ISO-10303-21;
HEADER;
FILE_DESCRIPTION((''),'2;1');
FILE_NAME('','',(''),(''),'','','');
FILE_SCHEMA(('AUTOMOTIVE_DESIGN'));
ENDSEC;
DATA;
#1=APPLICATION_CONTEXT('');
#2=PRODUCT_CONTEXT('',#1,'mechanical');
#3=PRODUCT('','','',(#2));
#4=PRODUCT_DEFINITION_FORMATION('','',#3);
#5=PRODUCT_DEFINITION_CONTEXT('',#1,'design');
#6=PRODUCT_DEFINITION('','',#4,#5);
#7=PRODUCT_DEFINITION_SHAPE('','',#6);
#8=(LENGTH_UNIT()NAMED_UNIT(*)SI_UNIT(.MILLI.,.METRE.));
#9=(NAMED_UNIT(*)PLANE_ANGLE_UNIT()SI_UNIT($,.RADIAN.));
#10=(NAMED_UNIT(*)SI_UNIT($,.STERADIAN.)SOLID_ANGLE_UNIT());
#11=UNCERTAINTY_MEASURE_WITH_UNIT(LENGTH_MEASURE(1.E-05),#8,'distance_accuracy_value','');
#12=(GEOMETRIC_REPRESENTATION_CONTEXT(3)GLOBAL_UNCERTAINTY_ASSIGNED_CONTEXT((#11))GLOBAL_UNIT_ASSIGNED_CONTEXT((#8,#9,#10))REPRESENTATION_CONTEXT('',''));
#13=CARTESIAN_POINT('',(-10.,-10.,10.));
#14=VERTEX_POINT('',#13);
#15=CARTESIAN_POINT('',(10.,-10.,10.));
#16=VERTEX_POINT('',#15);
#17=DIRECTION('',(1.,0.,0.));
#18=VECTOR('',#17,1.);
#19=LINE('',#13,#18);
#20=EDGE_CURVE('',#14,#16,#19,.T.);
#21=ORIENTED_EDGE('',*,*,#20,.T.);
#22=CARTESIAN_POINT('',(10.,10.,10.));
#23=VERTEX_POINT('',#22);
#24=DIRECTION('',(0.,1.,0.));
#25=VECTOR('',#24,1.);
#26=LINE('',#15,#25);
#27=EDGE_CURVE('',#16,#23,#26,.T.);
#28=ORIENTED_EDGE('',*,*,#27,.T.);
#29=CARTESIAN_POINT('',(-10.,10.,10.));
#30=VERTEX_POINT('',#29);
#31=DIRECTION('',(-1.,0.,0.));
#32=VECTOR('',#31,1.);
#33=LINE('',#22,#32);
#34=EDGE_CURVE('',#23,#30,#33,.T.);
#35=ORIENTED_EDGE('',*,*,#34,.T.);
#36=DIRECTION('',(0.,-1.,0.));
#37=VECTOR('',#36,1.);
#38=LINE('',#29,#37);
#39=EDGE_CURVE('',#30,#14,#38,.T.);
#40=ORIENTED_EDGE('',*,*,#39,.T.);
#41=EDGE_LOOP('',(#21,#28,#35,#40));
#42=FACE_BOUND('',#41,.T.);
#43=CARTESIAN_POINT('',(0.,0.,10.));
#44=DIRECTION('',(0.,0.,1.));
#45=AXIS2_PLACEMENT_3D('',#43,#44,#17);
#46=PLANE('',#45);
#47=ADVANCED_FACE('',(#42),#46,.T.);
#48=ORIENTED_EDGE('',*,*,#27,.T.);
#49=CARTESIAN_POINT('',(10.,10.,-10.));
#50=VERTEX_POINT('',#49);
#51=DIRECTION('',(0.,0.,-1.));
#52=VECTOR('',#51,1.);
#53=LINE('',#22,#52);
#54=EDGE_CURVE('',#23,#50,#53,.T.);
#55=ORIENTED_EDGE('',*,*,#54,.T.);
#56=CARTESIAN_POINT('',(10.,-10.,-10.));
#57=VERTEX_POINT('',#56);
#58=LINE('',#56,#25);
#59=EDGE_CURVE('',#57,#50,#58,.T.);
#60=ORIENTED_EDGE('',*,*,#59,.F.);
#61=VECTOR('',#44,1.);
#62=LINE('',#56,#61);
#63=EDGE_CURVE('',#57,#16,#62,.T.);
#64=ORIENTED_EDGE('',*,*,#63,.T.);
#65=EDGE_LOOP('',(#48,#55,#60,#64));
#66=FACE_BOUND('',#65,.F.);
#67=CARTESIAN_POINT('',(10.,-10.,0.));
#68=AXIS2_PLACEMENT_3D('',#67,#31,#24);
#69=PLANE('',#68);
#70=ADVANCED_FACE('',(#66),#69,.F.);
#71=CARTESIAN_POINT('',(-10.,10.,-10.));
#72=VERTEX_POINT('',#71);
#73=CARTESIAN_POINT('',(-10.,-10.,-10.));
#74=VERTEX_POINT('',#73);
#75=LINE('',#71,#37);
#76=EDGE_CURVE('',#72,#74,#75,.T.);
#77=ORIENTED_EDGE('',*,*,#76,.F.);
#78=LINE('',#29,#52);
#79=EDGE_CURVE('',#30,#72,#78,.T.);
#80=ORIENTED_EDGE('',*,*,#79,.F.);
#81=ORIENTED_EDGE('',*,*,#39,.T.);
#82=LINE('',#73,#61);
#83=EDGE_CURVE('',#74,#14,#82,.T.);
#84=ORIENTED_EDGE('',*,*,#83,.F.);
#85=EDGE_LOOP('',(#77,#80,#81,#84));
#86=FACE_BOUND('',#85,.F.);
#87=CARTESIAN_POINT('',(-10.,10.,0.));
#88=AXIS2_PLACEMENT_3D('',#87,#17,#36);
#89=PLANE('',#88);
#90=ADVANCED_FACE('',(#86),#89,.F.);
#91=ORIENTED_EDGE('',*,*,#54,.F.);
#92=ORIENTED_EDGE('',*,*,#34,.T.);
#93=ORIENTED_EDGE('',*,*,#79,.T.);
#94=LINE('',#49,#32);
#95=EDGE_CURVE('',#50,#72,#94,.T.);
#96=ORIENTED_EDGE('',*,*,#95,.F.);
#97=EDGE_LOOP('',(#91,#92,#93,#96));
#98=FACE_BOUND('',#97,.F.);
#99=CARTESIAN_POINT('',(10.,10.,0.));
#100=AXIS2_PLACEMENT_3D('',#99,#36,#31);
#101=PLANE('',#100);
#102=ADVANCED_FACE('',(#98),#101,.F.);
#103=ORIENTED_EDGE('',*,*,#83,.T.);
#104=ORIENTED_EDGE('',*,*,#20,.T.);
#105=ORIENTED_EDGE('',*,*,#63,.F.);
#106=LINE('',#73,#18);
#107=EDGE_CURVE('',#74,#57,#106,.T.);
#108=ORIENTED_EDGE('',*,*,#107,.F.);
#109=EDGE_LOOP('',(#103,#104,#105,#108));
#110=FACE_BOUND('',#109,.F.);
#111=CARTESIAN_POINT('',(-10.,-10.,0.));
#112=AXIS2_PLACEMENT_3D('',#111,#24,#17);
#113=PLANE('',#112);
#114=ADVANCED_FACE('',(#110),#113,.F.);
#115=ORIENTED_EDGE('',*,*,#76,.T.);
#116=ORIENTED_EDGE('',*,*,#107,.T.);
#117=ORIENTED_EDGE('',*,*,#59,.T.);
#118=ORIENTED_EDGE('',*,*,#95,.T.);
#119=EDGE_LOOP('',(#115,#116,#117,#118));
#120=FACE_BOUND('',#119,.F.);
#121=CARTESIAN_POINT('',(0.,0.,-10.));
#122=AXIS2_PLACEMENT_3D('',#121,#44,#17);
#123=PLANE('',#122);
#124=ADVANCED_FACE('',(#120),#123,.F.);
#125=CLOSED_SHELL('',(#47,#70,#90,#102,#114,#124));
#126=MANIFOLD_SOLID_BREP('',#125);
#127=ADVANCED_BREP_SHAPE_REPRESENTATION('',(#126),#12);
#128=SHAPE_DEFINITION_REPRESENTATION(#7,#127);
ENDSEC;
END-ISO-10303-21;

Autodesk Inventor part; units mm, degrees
ref_plane "YZ Plane" through (0, 0, 0) normal (1, 0, 0) x (0, 1, 0)
ref_plane "XZ Plane" through (0, 0, 0) normal (0, 1, 0) x (-1, 0, 0)
ref_plane "XY Plane" through (0, 0, 0) normal (0, 0, 1) x (1, 0, 0)
sketch "Sketch1" plane through (0, 0, 0) normal (0, 0, 1) x (1, 0, 0)
  line L0 (-10, -10) -> (10, -10)
  line L1 (10, -10) -> (10, 10)
  line L2 (10, 10) -> (-10, 10)
  line L3 (-10, 10) -> (-10, -10)
  line L4 (-10, -10) -> (10, 10) construction
  line L5 (10, -10) -> (-10, 10) construction
  point P0 (0, 0)
  dimension "d0" = 20
  dimension "d1" = 20
extrude "Extrusion1" add sketch "Sketch1" along normal mid plane 20
properties part number "3_cubo"
